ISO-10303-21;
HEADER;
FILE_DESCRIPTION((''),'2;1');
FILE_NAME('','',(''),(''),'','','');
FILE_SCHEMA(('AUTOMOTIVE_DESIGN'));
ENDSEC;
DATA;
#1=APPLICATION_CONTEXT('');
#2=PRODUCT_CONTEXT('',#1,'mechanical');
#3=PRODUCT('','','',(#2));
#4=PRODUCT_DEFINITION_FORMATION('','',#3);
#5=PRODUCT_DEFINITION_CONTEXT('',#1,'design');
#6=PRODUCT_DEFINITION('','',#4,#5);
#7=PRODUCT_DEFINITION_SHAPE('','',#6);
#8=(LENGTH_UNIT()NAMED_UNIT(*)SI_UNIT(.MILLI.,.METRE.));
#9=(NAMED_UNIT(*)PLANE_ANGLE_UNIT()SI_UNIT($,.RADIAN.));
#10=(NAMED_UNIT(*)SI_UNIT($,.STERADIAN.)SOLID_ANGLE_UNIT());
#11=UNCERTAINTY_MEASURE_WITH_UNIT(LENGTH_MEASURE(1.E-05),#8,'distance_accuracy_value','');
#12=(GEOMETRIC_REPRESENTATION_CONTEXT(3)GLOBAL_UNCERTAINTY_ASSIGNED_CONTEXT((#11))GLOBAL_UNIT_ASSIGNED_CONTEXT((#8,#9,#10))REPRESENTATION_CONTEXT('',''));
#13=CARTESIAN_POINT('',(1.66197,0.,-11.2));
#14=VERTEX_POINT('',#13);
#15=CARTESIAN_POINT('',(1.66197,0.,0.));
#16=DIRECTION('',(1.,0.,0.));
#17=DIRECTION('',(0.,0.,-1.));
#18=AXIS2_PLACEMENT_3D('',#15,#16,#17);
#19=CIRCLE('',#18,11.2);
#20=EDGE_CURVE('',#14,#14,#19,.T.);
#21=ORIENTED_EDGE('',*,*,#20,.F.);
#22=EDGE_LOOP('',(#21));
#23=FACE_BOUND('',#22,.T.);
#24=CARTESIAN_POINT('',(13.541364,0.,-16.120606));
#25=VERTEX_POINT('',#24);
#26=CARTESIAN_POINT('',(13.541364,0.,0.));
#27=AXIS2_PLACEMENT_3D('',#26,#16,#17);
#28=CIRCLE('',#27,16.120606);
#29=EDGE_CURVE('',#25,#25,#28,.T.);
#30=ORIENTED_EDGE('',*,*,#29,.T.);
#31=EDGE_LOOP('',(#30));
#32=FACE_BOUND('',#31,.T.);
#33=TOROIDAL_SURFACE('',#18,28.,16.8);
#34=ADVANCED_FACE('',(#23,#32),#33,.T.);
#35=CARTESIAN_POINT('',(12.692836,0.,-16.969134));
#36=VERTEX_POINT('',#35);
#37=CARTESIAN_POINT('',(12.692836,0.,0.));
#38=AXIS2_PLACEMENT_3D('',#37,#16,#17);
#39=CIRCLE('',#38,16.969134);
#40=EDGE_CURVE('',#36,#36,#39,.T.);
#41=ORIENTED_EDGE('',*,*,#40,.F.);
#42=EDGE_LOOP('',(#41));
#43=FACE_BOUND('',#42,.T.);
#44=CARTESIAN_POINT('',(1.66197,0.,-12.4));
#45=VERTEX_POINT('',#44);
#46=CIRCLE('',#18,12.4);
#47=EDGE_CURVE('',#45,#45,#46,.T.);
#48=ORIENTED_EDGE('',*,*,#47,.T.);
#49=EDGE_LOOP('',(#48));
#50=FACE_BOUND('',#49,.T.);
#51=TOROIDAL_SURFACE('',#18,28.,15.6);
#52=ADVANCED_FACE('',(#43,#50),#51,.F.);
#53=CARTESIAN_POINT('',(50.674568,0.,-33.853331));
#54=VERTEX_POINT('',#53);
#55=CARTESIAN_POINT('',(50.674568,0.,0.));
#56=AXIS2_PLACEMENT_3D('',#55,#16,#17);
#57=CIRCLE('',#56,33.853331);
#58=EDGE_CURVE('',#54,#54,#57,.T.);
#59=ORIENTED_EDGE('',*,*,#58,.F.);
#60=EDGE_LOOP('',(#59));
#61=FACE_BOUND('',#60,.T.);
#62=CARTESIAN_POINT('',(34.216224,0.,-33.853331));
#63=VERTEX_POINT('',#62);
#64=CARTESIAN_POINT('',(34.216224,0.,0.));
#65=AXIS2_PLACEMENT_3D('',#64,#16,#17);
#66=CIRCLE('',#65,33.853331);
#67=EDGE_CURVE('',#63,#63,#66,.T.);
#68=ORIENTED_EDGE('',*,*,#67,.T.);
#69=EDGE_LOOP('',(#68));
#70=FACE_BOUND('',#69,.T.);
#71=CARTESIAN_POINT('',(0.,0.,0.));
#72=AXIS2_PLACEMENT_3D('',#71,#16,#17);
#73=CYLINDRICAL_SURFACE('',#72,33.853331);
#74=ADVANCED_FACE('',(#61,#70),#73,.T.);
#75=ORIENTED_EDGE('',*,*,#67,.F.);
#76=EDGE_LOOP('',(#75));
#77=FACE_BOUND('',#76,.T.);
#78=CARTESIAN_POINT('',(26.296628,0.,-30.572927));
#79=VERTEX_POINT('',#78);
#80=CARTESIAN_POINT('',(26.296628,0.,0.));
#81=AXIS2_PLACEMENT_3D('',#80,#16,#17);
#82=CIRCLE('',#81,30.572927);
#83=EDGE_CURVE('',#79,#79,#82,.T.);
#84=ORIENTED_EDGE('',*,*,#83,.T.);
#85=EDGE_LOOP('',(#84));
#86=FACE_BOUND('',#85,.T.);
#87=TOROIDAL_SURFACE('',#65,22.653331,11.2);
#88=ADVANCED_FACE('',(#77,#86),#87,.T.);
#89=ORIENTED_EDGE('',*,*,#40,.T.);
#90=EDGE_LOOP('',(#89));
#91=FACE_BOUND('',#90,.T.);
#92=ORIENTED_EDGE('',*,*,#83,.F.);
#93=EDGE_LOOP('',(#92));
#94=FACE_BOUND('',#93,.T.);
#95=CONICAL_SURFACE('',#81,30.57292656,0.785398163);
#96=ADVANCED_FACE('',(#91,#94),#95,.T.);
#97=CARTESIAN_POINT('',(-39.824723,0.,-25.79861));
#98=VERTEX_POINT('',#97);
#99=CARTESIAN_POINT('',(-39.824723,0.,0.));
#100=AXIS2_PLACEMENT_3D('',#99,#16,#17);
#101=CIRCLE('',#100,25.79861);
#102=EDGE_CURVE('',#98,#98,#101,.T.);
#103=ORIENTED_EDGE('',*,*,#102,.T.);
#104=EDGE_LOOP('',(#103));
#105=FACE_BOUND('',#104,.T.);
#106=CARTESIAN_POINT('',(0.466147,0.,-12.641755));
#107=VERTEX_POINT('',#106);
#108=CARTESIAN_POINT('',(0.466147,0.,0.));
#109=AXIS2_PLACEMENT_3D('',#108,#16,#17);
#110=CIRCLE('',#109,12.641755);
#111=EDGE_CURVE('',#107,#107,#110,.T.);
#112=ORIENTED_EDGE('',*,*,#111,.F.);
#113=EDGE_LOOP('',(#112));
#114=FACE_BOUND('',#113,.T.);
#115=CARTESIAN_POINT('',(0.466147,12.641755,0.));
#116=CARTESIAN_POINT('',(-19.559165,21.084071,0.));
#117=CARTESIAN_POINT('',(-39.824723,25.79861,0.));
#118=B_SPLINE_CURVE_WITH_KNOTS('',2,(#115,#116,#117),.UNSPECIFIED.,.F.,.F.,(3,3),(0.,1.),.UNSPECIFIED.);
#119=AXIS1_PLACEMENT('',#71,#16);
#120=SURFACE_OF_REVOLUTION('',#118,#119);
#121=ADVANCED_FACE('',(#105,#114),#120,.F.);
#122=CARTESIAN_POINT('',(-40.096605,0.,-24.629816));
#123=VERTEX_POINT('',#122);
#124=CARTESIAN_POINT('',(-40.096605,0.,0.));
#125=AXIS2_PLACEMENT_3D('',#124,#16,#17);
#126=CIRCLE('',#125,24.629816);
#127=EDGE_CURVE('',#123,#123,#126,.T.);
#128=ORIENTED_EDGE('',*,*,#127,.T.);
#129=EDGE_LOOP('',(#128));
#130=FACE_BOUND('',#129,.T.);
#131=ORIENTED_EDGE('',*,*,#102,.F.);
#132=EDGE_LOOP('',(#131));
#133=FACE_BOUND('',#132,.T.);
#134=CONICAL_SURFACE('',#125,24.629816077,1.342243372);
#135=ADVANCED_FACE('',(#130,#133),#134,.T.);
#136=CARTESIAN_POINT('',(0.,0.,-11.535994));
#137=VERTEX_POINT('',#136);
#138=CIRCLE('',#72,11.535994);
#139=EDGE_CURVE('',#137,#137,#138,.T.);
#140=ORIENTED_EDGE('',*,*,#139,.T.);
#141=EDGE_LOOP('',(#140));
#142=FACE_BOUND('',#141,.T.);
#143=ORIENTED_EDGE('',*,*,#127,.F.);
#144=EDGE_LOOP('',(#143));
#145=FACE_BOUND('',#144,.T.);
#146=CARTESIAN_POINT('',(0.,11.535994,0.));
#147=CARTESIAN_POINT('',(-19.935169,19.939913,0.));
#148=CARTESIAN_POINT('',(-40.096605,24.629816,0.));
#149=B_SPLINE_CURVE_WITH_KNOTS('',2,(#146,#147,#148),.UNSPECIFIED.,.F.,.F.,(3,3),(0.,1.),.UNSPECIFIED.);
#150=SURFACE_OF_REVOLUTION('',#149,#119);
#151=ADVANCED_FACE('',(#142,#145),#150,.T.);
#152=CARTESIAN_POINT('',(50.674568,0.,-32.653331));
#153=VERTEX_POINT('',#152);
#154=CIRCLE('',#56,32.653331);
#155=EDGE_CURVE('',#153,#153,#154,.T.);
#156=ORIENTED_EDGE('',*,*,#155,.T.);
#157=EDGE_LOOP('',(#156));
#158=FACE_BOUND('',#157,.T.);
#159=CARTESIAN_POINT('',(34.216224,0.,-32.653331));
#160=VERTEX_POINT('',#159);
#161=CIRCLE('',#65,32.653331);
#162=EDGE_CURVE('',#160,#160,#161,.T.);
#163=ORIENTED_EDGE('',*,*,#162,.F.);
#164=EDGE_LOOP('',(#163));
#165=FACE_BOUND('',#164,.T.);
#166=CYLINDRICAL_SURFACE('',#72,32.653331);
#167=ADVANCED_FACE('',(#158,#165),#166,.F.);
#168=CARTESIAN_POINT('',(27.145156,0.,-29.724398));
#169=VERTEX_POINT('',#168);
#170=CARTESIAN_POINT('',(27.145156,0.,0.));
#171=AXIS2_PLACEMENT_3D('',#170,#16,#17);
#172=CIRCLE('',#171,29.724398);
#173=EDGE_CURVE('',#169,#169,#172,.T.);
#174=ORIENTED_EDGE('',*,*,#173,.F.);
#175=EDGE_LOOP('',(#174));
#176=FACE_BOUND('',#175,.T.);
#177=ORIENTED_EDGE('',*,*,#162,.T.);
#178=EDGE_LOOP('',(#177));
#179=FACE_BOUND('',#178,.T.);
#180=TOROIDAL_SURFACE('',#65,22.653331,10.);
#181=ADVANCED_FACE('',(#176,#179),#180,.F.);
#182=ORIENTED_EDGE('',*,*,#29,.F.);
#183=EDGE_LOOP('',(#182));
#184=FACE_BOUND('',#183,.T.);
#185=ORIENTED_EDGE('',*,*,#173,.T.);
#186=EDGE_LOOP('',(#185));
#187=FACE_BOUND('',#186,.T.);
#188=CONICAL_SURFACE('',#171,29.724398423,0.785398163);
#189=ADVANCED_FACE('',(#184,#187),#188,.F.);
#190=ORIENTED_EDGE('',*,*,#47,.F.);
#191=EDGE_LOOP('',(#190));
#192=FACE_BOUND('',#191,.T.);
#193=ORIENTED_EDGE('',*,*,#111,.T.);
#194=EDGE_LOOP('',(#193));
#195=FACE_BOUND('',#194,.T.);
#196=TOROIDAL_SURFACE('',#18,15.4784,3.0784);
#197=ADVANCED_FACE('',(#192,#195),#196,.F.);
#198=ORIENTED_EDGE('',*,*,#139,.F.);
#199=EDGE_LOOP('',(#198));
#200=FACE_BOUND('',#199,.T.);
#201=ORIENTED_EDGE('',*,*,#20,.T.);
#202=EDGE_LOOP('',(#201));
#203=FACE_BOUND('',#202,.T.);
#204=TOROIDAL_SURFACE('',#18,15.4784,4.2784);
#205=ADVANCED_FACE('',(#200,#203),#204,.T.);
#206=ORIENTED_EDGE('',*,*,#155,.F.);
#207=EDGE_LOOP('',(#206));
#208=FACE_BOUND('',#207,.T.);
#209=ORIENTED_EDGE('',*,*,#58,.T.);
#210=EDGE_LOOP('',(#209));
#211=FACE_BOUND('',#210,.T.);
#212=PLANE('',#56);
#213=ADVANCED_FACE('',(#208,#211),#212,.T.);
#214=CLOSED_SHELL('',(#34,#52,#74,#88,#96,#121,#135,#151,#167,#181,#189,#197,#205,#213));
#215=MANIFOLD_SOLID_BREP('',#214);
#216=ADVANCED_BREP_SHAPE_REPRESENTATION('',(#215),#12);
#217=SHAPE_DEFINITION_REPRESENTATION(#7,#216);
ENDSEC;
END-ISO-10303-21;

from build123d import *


with BuildPart() as part:
    # Sketch1 → Revolve1 (revolve)
    with BuildSketch(Plane.XY, mode=Mode.PRIVATE) as revolve1_sk:
        with BuildLine():
            Line((50.674568212, 32.653330611), (34.216224259, 32.653330611))
            ThreePointArc((34.216224259, 32.653330611), (30.389389936, 31.892125936), (27.145156447, 29.724398423))
            Line((27.145156447, 29.724398423), (13.5413641, 16.120606076))
            ThreePointArc((13.5413641, 16.120606076), (8.09105184, 12.478823854), (1.661970177, 11.2))
            ThreePointArc((1.661970177, 11.2), (0.814173455, 11.284839785), (0, 11.535994428))
            add(Edge.make_bspline(
                [(0, 11.535994428), (-19.935169187, 19.939913318), (-40.096604749, 24.629816077)],
                knots=[0, 0, 0, 1, 1, 1], degree=2))
            Line((-40.096604749, 24.629816077), (-39.824722735, 25.798610401))
            add(Edge.make_bspline(
                [(0.466147207, 12.641755153), (-19.559165394, 21.084071214), (-39.824722735, 25.798610401)],
                knots=[0, 0, 0, 1, 1, 1], degree=2))
            ThreePointArc((0.466147207, 12.641755153), (1.051962364, 12.461044034), (1.661970177, 12.4))
            ThreePointArc((1.661970177, 12.4), (7.631831721, 13.587479293), (12.692835963, 16.969134213))
            Line((12.692835963, 16.969134213), (26.29662831, 30.57292656))
            ThreePointArc((26.29662831, 30.57292656), (29.930169817, 33.000781375), (34.216224259, 33.853330611))
            Line((34.216224259, 33.853330611), (50.674568212, 33.853330611))
            Line((50.674568212, 33.853330611), (50.674568212, 32.653330611))
        make_face()
    revolve(revolve1_sk.sketch.rotate(Axis((0, 0, 0), (-1, 0, 0)), 90), axis=Axis((0, 0, 0), (-1, 0, 0)))


solid = part.part
